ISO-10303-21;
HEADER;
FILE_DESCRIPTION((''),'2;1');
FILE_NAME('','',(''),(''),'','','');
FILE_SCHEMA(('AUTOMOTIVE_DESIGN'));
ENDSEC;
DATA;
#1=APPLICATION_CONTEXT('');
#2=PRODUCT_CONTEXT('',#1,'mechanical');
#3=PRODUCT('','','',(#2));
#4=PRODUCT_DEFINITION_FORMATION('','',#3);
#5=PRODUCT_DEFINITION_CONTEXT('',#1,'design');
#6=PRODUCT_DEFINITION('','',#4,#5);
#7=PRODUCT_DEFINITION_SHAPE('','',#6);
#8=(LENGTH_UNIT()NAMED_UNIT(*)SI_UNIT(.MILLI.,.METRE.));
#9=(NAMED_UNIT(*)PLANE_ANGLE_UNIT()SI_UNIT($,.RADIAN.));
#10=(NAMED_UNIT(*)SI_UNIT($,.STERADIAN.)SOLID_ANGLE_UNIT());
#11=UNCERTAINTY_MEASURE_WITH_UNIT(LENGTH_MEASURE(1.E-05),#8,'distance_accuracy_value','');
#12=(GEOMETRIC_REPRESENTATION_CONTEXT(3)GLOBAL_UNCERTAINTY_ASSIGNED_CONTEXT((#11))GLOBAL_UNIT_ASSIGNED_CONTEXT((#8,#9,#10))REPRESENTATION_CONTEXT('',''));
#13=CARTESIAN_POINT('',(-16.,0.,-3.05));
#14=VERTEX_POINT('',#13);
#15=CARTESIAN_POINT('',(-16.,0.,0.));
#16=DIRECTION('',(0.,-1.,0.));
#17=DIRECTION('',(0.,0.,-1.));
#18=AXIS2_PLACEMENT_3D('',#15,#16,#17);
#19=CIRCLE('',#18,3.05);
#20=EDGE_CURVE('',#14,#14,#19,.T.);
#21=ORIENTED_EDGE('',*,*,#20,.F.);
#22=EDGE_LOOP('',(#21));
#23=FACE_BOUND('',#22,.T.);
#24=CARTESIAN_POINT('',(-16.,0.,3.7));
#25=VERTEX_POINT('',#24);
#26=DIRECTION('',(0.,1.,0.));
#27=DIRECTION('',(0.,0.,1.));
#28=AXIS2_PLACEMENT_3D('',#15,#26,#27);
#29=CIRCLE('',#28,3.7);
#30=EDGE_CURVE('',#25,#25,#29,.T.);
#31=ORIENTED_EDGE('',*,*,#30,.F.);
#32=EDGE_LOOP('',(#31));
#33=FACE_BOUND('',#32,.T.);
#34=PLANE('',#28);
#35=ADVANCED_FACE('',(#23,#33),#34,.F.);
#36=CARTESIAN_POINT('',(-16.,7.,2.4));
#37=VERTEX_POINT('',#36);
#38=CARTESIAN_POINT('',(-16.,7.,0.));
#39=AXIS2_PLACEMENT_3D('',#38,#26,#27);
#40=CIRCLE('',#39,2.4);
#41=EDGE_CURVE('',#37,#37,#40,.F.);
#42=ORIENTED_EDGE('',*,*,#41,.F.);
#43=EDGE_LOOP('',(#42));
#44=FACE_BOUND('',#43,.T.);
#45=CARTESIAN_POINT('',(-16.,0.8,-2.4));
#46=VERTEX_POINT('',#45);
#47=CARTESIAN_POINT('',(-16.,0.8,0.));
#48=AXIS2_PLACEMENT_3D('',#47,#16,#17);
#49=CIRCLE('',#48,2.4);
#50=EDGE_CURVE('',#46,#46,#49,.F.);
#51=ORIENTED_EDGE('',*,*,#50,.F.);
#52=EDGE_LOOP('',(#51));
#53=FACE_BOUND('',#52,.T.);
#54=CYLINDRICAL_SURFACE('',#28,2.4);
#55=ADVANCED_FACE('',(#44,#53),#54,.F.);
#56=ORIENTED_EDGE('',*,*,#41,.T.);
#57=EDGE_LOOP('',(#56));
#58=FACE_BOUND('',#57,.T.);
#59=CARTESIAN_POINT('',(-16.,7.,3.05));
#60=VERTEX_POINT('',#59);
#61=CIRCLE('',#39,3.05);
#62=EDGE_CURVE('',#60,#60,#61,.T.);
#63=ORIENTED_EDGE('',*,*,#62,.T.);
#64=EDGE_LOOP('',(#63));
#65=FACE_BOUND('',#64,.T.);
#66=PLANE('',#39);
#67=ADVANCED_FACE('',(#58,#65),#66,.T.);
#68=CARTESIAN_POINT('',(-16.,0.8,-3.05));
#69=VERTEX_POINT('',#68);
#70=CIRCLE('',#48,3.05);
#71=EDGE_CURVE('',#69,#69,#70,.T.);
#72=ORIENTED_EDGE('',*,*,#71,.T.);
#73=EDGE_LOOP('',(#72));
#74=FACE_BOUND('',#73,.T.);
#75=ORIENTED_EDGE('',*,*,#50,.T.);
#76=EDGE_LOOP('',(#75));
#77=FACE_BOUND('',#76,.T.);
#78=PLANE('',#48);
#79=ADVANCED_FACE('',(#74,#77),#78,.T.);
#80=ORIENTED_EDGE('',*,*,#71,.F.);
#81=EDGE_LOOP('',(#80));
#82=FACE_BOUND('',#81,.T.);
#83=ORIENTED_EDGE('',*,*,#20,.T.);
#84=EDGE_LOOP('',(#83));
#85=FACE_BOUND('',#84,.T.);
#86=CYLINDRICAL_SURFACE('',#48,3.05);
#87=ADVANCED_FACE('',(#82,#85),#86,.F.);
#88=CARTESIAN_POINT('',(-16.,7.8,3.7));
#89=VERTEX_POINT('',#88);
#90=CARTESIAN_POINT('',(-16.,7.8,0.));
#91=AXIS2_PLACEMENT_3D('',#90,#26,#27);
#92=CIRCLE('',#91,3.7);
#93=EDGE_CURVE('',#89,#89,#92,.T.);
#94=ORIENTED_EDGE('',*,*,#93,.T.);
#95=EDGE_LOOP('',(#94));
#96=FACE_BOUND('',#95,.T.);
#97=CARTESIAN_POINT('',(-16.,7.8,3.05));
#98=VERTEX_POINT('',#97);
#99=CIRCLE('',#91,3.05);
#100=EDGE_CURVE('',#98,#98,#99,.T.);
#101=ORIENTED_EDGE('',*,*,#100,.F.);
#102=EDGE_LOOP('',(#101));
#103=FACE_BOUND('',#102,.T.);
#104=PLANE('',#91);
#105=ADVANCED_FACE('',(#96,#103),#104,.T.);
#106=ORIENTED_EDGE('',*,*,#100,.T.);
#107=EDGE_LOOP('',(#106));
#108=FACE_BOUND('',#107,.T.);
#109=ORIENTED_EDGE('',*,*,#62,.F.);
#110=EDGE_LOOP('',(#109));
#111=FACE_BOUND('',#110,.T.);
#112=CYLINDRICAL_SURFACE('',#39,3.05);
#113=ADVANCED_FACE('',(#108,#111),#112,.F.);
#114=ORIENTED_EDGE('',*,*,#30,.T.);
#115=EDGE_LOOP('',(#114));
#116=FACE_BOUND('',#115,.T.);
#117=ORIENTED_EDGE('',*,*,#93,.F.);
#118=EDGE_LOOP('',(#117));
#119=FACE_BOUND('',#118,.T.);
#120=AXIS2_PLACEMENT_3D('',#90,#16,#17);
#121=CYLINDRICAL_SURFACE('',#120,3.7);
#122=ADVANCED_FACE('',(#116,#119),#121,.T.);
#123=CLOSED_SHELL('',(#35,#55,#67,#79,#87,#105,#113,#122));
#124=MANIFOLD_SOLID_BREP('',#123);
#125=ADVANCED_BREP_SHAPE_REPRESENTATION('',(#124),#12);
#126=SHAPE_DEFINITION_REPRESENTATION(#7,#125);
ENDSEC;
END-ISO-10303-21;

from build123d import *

# Parameters (mm, degrees)
SKETCH1_R           = 3.7
BOSS_EXTRUDE3_DEPTH = 7.8
SKETCH2_R           = 2.4
CUT_EXTRUDE6_DEPTH  = 7.8
SKETCH3_R           = 3.05
CUT_EXTRUDE7_DEPTH  = 0.8
SKETCH4_R           = 3.05
CUT_EXTRUDE8_DEPTH  = 0.8


with BuildPart() as part:
    # Sketch1 → Boss-Extrude3 (new body)
    with BuildSketch(Plane(origin=(0, 0, 0), x_dir=(1, 0, 0), z_dir=(0, 1, 0))):
        with Locations((-16, 0)):
            Circle(SKETCH1_R)
    extrude(amount=BOSS_EXTRUDE3_DEPTH)

    # Sketch2 → Cut-Extrude6 (cut)
    with BuildSketch(Plane(origin=(0, 7.8, 0), x_dir=(1, 0, 0), z_dir=(0, 1, 0))):
        with Locations((-16, 0)):
            Circle(SKETCH2_R)
    extrude(amount=-CUT_EXTRUDE6_DEPTH, mode=Mode.SUBTRACT)

    # Sketch3 → Cut-Extrude7 (cut)
    with BuildSketch(Plane(origin=(0, 7.8, 0), x_dir=(1, 0, 0), z_dir=(0, 1, 0))):
        with Locations((-16, 0)):
            Circle(SKETCH3_R)
    extrude(amount=-CUT_EXTRUDE7_DEPTH, mode=Mode.SUBTRACT)

    # Sketch4 → Cut-Extrude8 (cut)
    with BuildSketch(Plane.XZ):
        with Locations((-16, 0)):
            Circle(SKETCH4_R)
    extrude(amount=-CUT_EXTRUDE8_DEPTH, mode=Mode.SUBTRACT)


solid = part.part
